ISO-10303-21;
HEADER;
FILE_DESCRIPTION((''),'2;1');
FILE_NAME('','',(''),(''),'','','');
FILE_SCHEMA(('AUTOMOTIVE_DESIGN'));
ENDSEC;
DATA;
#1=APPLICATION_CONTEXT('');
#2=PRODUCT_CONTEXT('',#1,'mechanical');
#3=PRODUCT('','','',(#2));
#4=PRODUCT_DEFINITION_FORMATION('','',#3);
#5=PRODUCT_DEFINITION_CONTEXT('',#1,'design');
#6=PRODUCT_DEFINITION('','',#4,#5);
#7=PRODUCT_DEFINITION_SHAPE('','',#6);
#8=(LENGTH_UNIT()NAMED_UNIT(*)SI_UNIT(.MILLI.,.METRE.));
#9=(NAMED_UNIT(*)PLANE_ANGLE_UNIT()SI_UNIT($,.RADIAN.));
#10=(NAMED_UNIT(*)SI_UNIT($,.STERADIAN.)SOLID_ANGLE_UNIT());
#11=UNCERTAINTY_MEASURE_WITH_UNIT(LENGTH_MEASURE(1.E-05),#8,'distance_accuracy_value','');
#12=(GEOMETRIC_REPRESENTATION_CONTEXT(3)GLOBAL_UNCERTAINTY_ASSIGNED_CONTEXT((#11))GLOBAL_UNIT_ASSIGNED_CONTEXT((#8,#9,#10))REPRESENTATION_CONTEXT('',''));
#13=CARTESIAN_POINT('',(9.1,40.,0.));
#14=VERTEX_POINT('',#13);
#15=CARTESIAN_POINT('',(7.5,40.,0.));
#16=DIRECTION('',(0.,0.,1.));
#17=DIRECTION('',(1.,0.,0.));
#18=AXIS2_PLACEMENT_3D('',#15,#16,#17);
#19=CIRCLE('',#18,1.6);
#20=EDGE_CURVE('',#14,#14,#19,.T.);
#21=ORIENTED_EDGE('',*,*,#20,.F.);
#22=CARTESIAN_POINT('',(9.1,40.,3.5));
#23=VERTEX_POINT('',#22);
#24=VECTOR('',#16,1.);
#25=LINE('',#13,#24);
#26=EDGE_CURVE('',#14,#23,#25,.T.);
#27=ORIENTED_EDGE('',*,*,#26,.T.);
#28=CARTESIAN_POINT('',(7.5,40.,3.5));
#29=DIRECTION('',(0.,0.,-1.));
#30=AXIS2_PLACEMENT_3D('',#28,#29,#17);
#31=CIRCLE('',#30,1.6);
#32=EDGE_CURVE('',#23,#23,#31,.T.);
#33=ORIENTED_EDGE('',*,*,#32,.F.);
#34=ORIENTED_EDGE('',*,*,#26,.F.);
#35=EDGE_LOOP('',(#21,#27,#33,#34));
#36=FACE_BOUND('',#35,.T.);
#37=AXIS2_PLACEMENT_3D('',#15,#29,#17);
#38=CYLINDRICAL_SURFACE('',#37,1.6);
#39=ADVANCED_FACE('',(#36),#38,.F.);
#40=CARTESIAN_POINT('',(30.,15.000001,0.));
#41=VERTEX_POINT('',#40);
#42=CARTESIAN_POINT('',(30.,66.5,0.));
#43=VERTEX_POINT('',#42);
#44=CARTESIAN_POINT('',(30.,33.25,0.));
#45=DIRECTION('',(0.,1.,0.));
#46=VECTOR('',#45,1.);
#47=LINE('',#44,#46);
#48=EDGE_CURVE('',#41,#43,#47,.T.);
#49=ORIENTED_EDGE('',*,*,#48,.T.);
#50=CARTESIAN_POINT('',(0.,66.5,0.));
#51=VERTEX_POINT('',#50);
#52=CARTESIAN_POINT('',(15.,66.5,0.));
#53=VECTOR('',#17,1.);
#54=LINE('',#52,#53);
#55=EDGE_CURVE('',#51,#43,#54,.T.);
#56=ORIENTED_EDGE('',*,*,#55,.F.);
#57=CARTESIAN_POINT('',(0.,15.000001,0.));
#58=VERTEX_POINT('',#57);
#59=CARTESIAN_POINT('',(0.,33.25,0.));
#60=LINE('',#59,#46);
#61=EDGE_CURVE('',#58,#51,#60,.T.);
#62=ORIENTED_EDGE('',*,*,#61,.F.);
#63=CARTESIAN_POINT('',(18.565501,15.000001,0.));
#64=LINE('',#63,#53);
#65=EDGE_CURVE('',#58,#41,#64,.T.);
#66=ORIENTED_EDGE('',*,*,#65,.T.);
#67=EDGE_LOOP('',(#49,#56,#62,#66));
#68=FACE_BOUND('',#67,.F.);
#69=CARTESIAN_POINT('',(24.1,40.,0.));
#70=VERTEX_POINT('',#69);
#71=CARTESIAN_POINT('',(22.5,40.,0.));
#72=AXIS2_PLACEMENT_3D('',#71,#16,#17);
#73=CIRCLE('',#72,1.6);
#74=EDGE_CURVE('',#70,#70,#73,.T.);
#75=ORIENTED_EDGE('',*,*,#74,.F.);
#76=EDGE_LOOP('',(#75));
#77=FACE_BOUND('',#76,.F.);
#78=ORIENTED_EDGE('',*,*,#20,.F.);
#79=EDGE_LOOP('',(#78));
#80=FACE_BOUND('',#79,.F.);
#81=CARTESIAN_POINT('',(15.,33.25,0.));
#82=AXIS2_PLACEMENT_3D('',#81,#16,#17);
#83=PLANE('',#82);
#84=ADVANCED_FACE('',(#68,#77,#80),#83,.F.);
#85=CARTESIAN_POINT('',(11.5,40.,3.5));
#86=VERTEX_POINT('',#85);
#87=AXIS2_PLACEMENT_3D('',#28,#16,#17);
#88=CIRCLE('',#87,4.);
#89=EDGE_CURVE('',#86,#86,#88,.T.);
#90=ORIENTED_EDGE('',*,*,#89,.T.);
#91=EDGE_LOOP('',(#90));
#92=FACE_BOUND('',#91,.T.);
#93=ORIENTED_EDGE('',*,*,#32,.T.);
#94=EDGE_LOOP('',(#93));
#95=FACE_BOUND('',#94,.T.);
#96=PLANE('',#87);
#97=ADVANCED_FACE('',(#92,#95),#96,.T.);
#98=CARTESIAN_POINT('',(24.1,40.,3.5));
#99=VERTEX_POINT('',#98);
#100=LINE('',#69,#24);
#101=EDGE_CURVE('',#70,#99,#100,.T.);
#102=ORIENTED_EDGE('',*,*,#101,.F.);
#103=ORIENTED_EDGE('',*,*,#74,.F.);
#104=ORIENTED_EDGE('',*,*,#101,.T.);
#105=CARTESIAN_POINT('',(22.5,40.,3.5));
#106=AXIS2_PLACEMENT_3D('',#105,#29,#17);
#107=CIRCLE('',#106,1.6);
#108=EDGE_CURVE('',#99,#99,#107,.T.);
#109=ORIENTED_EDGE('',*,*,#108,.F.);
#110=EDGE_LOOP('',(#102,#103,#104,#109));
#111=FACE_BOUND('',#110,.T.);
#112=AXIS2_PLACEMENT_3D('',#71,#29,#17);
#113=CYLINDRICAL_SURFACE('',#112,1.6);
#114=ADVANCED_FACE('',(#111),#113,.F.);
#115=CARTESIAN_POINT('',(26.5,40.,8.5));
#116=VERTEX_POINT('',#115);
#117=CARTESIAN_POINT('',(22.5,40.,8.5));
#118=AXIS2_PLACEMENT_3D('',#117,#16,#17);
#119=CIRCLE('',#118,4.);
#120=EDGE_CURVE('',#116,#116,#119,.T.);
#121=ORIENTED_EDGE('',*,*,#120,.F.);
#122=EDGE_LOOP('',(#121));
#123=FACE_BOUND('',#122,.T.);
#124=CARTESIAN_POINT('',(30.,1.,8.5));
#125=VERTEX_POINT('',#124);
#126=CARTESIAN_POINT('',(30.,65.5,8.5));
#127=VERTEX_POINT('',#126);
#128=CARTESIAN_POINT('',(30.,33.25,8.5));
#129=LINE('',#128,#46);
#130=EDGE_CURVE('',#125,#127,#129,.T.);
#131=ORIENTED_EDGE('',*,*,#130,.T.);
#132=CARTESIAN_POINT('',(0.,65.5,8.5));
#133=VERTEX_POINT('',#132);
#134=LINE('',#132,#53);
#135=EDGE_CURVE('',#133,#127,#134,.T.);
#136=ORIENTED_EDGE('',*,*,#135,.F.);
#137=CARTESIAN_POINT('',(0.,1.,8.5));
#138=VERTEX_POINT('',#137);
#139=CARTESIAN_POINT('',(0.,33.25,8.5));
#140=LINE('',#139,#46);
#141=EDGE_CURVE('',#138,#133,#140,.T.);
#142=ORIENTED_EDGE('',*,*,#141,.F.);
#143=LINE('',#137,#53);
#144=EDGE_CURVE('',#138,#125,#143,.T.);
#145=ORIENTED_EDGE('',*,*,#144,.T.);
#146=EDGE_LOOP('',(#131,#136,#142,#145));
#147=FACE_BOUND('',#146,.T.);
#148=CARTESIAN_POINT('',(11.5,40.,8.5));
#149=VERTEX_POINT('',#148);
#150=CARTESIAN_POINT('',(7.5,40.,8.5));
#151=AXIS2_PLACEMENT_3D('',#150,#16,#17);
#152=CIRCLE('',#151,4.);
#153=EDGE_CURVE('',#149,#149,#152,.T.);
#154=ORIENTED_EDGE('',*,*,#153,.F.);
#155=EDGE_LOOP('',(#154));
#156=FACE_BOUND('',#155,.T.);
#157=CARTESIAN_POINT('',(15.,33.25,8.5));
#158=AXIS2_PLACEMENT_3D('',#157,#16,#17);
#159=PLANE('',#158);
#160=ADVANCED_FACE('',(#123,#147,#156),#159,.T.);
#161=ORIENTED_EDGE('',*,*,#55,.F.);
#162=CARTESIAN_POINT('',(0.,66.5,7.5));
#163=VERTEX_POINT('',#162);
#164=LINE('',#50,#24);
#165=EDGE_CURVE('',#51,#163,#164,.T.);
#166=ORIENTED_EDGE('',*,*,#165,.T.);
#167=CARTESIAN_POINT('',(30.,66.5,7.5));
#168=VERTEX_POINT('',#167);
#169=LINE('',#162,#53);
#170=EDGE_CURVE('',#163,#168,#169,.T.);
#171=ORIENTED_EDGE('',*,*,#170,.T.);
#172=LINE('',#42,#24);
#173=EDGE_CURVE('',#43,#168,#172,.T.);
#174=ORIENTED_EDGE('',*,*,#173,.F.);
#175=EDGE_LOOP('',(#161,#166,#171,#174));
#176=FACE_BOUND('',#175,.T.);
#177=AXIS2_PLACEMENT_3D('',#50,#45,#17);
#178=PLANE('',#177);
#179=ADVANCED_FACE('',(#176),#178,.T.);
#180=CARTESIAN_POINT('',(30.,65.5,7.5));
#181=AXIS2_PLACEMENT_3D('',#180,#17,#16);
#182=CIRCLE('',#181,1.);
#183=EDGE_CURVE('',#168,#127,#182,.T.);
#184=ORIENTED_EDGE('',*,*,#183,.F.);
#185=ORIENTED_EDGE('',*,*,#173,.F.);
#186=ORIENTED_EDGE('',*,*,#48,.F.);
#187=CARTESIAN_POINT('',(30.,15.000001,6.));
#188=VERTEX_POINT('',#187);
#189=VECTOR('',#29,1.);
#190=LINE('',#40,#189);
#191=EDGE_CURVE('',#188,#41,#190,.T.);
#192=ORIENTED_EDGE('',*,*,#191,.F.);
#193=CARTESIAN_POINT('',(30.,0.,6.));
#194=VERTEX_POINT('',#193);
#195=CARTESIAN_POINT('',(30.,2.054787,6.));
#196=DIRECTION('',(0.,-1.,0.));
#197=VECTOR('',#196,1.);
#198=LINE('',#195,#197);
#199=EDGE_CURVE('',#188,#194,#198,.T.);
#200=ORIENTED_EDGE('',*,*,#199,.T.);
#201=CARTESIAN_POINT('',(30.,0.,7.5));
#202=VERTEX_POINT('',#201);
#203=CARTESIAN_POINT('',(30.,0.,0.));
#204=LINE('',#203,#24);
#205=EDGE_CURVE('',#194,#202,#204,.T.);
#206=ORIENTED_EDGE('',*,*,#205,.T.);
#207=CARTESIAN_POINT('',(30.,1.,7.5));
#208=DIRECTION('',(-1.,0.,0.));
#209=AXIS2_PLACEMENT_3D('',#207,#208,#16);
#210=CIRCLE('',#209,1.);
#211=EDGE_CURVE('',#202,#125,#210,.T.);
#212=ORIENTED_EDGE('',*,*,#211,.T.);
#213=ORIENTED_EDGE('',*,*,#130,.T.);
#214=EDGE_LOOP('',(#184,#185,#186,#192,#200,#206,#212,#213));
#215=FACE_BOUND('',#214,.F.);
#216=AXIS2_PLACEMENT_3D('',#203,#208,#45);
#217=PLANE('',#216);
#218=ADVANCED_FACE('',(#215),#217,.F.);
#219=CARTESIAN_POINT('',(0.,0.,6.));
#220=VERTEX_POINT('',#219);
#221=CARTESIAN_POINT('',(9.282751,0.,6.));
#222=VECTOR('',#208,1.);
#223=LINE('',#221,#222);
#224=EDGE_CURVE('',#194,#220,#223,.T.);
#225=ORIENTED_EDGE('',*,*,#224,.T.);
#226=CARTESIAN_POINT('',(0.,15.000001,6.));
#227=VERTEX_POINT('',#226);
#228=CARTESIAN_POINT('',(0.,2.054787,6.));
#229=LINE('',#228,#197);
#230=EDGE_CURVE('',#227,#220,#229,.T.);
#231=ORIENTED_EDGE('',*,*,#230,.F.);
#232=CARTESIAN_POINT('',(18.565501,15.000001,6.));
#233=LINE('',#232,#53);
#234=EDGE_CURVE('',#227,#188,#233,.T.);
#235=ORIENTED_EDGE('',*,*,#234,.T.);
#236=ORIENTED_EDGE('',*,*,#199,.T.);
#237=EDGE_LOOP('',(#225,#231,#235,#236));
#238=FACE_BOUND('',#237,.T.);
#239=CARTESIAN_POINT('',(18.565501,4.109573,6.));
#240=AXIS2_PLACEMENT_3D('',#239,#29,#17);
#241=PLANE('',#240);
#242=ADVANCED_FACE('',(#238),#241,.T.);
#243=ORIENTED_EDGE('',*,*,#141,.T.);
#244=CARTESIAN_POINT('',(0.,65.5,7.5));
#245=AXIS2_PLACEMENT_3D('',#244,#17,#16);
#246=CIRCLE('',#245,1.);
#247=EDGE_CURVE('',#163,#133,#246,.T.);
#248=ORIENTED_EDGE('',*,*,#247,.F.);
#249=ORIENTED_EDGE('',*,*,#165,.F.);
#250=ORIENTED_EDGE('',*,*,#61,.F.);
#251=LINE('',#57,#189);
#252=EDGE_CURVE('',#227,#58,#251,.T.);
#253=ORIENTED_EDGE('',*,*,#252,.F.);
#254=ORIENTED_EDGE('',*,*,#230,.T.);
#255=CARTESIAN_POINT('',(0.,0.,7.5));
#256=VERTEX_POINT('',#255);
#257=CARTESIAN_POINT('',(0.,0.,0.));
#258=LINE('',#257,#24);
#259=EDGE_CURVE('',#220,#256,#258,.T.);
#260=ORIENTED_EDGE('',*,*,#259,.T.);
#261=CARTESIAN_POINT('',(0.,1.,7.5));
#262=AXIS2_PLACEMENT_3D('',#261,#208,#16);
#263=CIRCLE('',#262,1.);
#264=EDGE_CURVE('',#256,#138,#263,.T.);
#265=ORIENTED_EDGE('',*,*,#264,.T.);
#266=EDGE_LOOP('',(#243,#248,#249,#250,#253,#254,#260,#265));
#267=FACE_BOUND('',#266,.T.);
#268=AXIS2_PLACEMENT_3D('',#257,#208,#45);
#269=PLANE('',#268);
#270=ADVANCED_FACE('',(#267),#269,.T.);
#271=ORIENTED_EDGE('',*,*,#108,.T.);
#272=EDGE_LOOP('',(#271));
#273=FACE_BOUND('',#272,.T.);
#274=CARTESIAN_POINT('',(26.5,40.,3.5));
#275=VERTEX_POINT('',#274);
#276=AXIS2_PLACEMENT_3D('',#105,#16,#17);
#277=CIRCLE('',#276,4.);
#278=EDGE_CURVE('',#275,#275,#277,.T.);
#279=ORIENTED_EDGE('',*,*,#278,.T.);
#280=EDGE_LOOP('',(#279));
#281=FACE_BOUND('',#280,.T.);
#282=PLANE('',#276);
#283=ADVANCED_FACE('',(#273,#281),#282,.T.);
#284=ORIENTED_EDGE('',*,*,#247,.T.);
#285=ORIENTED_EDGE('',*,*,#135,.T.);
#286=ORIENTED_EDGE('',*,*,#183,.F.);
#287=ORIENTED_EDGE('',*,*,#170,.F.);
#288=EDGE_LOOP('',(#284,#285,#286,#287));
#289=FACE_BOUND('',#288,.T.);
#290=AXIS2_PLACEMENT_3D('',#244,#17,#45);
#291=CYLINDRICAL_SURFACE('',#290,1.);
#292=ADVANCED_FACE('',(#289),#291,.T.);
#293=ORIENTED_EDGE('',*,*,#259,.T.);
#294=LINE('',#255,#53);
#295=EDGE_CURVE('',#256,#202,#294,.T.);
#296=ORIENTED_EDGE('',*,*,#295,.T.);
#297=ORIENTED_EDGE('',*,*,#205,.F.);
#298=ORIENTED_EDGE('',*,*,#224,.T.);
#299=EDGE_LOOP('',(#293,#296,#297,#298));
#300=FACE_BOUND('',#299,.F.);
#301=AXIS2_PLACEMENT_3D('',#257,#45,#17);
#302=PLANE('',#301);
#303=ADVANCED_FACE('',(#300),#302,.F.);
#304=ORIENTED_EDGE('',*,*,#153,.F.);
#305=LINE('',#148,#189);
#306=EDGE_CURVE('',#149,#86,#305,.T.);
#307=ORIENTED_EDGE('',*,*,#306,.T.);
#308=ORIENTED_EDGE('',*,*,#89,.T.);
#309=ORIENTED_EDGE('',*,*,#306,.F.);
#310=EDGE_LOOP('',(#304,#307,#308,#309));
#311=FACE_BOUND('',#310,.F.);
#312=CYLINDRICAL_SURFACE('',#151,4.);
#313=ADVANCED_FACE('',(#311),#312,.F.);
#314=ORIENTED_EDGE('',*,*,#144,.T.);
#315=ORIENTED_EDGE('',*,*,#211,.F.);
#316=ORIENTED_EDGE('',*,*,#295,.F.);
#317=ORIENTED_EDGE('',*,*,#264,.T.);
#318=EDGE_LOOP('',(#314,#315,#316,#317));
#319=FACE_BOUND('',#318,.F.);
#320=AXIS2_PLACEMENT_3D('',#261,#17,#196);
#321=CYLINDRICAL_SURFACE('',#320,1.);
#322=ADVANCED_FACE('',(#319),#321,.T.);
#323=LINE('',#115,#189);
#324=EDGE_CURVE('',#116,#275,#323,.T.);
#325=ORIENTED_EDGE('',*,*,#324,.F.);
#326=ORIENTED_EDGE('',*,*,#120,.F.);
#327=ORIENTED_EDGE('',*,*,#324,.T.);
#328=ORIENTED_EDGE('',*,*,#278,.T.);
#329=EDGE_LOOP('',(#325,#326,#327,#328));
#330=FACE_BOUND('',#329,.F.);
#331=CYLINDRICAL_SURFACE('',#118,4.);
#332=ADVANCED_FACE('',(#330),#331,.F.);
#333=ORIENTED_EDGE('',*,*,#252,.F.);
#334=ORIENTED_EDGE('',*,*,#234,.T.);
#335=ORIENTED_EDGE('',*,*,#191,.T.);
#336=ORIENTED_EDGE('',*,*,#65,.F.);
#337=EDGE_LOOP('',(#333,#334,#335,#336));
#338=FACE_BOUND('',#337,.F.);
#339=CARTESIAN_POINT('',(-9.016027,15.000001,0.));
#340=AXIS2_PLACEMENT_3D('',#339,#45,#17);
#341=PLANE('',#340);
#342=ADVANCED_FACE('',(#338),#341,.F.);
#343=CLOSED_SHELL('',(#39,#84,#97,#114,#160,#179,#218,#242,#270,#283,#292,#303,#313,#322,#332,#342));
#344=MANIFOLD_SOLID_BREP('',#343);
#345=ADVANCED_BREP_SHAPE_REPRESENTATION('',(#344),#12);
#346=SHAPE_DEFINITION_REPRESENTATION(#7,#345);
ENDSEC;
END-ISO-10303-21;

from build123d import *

# Parameters (mm, degrees)
SKETCH_W        = 30
SKETCH_H        = 66.5
SKETCH_R        = 1.6
PAD_DEPTH       = 8.5
SKETCH001_R     = 4
POCKET_DEPTH    = 5
FILLET_R        = 1
SKETCH002_W     = 55.163057
SKETCH002_H     = 21.780855
POCKET001_DEPTH = 6


with BuildPart() as part:
    # Sketch → Pad (new body)
    with BuildSketch(Plane.XY):
        with Locations((15, 33.25)):
            Rectangle(SKETCH_W, SKETCH_H)
        with Locations((7.5, 40)):
            Circle(SKETCH_R, mode=Mode.SUBTRACT)
        with Locations((22.5, 40)):
            Circle(SKETCH_R, mode=Mode.SUBTRACT)
    extrude(amount=PAD_DEPTH)

    # Sketch001 (on Face8 of Pad) → Pocket (cut)
    with BuildSketch(Plane.XY.offset(8.5)):
        with Locations((7.5, 40)):
            Circle(SKETCH001_R)
        with Locations((22.5, 40)):
            Circle(SKETCH001_R)
    extrude(amount=-POCKET_DEPTH, mode=Mode.SUBTRACT)

    # Fillet
    fillet_edges = [part.edges().sort_by_distance(p)[0] for p in [
        (15, 66.5, 8.5),
        (15, 0, 8.5),
    ]]
    fillet(fillet_edges, radius=FILLET_R)

    # Sketch002 (on Face4 of Fillet) → Pocket001 (cut)
    with BuildSketch(Plane(origin=(0, 0, 0), x_dir=(1, 0, 0), z_dir=(0, 0, -1))):
        with Locations((18.565501, -4.109573)):
            Rectangle(SKETCH002_W, SKETCH002_H)
    extrude(amount=-POCKET001_DEPTH, mode=Mode.SUBTRACT)


solid = part.part
